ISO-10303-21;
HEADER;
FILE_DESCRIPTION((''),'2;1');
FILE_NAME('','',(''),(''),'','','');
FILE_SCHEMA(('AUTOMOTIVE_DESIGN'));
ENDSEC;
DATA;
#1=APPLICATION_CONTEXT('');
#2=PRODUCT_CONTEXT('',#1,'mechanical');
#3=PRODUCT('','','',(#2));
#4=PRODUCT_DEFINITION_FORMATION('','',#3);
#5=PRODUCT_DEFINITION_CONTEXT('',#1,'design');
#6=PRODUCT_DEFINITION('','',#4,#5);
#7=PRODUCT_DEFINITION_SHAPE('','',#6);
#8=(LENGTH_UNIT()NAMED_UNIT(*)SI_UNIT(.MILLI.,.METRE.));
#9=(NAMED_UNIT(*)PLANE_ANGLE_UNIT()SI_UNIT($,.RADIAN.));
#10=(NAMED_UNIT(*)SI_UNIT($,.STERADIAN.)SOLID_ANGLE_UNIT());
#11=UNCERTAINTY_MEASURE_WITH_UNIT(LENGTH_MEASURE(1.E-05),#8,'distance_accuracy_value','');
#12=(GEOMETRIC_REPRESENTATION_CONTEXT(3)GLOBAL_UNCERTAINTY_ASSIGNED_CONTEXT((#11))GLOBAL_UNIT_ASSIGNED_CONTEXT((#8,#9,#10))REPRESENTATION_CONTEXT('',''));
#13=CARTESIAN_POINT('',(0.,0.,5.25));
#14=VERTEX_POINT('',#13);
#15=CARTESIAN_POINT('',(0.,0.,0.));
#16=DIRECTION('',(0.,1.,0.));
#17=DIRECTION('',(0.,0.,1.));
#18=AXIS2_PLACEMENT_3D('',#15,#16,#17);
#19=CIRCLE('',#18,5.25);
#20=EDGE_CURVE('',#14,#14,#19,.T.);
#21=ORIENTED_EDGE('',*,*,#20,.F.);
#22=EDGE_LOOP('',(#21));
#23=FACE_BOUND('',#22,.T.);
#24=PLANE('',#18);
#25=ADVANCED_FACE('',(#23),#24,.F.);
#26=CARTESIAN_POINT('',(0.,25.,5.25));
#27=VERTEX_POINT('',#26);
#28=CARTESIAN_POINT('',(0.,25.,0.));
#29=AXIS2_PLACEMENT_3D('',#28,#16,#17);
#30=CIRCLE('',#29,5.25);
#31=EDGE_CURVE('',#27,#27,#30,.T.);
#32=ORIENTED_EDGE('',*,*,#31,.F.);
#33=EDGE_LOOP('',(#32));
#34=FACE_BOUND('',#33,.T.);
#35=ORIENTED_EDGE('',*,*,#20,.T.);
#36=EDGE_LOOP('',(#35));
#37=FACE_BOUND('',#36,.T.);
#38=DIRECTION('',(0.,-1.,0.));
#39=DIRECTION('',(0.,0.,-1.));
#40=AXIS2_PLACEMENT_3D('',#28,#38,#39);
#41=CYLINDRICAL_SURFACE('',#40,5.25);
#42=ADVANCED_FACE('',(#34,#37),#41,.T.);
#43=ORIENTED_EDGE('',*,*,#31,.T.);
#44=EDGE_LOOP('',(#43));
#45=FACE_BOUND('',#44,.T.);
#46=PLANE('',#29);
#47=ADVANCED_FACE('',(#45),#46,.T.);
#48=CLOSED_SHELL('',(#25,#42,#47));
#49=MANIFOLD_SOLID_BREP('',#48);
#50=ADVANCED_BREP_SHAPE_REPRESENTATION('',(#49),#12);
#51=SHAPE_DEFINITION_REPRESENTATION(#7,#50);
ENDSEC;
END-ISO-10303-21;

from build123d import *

# Parameters (mm, degrees)
ESQUISSE1_R        = 5.25
BOSS_EXTRU_1_DEPTH = 25


with BuildPart() as part:
    # Esquisse1 → Boss.-Extru.1 (new body)
    with BuildSketch(Plane(origin=(0, 0, 0), x_dir=(1, 0, 0), z_dir=(0, 1, 0))):
        with Locations(Location((0, 0, 0), (0, 0, 270))):
            Circle(ESQUISSE1_R)
    extrude(amount=BOSS_EXTRU_1_DEPTH)


solid = part.part
